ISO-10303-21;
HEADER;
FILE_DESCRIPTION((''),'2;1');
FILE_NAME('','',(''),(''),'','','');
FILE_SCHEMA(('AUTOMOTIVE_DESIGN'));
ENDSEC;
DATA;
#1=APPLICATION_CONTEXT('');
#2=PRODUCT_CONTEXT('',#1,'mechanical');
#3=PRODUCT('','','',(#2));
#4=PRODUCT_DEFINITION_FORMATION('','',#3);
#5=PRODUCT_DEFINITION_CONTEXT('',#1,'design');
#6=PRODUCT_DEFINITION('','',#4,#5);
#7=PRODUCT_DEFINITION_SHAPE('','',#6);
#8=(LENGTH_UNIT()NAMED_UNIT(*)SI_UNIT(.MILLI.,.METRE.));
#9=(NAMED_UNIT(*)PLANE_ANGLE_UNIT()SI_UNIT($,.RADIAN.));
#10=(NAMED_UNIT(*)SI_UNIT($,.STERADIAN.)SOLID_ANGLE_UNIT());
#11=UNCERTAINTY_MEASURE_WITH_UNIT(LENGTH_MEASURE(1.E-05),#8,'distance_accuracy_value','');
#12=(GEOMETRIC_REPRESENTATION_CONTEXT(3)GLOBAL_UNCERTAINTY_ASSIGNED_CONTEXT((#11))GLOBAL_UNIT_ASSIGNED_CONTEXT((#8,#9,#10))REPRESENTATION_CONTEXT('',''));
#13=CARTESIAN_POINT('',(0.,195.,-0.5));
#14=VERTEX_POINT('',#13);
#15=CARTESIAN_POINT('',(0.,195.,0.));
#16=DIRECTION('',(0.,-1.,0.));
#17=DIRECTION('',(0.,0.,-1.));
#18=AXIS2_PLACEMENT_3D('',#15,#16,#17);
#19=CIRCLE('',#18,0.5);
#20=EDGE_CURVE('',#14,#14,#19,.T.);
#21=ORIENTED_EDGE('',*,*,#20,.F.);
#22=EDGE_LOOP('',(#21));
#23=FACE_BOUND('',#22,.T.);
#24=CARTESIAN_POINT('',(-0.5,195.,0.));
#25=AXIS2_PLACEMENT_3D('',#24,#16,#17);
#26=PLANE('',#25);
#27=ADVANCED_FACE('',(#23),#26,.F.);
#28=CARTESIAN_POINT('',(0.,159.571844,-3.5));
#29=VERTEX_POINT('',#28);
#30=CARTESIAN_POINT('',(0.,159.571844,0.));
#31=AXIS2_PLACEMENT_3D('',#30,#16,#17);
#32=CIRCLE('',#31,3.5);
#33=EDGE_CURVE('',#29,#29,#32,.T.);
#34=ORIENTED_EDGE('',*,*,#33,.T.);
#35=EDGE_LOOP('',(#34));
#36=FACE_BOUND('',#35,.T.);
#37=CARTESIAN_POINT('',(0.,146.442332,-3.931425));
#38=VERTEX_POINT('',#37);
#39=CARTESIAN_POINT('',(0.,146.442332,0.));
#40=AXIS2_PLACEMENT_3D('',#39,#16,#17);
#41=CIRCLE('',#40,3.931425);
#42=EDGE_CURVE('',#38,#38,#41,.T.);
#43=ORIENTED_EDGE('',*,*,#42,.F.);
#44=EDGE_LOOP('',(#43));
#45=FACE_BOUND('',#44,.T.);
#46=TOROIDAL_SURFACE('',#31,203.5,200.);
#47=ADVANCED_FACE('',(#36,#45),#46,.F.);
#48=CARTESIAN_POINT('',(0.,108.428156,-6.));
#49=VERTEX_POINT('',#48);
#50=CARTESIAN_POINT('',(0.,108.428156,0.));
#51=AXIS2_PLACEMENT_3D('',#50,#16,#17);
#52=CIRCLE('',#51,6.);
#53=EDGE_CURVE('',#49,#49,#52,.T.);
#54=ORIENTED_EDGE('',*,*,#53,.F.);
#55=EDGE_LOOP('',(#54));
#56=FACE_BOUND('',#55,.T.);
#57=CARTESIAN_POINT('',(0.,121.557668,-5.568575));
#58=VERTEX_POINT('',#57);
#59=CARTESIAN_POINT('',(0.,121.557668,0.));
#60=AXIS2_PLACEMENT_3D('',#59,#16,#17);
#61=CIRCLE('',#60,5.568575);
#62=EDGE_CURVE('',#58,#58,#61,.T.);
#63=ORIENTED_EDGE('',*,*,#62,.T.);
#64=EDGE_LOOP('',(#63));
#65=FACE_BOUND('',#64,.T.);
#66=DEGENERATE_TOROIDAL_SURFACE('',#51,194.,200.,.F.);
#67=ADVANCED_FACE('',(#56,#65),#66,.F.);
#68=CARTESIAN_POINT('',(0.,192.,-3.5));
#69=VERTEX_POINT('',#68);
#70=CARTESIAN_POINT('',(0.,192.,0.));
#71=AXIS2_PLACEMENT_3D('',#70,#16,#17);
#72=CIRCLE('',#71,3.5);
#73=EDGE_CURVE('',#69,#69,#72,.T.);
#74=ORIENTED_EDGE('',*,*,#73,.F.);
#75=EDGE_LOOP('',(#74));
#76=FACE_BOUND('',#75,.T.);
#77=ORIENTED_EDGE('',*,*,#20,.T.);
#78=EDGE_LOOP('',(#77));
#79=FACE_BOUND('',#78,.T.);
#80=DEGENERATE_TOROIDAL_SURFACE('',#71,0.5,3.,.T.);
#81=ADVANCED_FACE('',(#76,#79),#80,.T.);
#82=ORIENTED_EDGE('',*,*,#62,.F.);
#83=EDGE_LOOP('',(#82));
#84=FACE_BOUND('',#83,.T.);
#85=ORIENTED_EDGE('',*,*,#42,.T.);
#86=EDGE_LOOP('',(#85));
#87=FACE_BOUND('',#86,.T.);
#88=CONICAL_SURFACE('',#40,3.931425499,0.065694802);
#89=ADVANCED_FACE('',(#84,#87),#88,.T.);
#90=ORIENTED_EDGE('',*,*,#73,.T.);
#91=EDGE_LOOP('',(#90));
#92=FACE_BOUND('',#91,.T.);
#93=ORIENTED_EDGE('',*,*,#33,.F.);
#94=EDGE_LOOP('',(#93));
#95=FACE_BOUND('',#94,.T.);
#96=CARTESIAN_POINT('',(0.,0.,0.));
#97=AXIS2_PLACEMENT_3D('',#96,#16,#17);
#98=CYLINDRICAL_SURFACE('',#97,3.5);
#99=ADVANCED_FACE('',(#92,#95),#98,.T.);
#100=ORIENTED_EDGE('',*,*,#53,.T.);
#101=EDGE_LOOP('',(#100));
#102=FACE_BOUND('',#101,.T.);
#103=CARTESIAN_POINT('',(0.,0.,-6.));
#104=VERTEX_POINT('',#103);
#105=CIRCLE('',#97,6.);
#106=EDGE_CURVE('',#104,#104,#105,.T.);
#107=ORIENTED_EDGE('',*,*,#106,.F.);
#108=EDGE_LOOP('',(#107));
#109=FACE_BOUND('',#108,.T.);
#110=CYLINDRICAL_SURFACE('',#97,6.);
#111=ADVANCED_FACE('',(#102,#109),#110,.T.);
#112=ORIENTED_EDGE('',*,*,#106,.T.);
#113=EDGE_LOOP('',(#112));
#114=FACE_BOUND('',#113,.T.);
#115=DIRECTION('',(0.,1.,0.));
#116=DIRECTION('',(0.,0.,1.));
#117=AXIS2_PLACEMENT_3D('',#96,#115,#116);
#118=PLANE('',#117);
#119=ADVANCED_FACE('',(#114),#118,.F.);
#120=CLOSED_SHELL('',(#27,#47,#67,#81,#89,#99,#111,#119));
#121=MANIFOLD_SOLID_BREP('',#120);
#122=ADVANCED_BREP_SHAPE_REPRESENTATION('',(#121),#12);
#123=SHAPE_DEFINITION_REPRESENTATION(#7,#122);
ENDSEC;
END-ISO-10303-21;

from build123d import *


with BuildPart() as part:
    # Sketch1 → Revolve1 (revolve)
    with BuildSketch(Plane.XY):
        with BuildLine():
            Line((0, 0), (0, 195))
            Line((0, 195), (-0.5, 195))
            ThreePointArc((-0.5, 195), (-2.621320344, 194.121320344), (-3.5, 192))
            Line((-3.5, 192), (-3.5, 159.571843893))
            ThreePointArc((-3.5, 159.571843893), (-3.607885473, 153.003545032), (-3.931425499, 146.442332412))
            Line((-3.931425499, 146.442332412), (-5.568574501, 121.557667588))
            ThreePointArc((-5.568574501, 121.557667588), (-5.892114527, 114.996454968), (-6, 108.428156107))
            Line((-6, 108.428156107), (-6, 0))
            Line((-6, 0), (0, 0))
        make_face()
    revolve(axis=Axis((0, 0, 0), (0, 1, 0)))


solid = part.part
